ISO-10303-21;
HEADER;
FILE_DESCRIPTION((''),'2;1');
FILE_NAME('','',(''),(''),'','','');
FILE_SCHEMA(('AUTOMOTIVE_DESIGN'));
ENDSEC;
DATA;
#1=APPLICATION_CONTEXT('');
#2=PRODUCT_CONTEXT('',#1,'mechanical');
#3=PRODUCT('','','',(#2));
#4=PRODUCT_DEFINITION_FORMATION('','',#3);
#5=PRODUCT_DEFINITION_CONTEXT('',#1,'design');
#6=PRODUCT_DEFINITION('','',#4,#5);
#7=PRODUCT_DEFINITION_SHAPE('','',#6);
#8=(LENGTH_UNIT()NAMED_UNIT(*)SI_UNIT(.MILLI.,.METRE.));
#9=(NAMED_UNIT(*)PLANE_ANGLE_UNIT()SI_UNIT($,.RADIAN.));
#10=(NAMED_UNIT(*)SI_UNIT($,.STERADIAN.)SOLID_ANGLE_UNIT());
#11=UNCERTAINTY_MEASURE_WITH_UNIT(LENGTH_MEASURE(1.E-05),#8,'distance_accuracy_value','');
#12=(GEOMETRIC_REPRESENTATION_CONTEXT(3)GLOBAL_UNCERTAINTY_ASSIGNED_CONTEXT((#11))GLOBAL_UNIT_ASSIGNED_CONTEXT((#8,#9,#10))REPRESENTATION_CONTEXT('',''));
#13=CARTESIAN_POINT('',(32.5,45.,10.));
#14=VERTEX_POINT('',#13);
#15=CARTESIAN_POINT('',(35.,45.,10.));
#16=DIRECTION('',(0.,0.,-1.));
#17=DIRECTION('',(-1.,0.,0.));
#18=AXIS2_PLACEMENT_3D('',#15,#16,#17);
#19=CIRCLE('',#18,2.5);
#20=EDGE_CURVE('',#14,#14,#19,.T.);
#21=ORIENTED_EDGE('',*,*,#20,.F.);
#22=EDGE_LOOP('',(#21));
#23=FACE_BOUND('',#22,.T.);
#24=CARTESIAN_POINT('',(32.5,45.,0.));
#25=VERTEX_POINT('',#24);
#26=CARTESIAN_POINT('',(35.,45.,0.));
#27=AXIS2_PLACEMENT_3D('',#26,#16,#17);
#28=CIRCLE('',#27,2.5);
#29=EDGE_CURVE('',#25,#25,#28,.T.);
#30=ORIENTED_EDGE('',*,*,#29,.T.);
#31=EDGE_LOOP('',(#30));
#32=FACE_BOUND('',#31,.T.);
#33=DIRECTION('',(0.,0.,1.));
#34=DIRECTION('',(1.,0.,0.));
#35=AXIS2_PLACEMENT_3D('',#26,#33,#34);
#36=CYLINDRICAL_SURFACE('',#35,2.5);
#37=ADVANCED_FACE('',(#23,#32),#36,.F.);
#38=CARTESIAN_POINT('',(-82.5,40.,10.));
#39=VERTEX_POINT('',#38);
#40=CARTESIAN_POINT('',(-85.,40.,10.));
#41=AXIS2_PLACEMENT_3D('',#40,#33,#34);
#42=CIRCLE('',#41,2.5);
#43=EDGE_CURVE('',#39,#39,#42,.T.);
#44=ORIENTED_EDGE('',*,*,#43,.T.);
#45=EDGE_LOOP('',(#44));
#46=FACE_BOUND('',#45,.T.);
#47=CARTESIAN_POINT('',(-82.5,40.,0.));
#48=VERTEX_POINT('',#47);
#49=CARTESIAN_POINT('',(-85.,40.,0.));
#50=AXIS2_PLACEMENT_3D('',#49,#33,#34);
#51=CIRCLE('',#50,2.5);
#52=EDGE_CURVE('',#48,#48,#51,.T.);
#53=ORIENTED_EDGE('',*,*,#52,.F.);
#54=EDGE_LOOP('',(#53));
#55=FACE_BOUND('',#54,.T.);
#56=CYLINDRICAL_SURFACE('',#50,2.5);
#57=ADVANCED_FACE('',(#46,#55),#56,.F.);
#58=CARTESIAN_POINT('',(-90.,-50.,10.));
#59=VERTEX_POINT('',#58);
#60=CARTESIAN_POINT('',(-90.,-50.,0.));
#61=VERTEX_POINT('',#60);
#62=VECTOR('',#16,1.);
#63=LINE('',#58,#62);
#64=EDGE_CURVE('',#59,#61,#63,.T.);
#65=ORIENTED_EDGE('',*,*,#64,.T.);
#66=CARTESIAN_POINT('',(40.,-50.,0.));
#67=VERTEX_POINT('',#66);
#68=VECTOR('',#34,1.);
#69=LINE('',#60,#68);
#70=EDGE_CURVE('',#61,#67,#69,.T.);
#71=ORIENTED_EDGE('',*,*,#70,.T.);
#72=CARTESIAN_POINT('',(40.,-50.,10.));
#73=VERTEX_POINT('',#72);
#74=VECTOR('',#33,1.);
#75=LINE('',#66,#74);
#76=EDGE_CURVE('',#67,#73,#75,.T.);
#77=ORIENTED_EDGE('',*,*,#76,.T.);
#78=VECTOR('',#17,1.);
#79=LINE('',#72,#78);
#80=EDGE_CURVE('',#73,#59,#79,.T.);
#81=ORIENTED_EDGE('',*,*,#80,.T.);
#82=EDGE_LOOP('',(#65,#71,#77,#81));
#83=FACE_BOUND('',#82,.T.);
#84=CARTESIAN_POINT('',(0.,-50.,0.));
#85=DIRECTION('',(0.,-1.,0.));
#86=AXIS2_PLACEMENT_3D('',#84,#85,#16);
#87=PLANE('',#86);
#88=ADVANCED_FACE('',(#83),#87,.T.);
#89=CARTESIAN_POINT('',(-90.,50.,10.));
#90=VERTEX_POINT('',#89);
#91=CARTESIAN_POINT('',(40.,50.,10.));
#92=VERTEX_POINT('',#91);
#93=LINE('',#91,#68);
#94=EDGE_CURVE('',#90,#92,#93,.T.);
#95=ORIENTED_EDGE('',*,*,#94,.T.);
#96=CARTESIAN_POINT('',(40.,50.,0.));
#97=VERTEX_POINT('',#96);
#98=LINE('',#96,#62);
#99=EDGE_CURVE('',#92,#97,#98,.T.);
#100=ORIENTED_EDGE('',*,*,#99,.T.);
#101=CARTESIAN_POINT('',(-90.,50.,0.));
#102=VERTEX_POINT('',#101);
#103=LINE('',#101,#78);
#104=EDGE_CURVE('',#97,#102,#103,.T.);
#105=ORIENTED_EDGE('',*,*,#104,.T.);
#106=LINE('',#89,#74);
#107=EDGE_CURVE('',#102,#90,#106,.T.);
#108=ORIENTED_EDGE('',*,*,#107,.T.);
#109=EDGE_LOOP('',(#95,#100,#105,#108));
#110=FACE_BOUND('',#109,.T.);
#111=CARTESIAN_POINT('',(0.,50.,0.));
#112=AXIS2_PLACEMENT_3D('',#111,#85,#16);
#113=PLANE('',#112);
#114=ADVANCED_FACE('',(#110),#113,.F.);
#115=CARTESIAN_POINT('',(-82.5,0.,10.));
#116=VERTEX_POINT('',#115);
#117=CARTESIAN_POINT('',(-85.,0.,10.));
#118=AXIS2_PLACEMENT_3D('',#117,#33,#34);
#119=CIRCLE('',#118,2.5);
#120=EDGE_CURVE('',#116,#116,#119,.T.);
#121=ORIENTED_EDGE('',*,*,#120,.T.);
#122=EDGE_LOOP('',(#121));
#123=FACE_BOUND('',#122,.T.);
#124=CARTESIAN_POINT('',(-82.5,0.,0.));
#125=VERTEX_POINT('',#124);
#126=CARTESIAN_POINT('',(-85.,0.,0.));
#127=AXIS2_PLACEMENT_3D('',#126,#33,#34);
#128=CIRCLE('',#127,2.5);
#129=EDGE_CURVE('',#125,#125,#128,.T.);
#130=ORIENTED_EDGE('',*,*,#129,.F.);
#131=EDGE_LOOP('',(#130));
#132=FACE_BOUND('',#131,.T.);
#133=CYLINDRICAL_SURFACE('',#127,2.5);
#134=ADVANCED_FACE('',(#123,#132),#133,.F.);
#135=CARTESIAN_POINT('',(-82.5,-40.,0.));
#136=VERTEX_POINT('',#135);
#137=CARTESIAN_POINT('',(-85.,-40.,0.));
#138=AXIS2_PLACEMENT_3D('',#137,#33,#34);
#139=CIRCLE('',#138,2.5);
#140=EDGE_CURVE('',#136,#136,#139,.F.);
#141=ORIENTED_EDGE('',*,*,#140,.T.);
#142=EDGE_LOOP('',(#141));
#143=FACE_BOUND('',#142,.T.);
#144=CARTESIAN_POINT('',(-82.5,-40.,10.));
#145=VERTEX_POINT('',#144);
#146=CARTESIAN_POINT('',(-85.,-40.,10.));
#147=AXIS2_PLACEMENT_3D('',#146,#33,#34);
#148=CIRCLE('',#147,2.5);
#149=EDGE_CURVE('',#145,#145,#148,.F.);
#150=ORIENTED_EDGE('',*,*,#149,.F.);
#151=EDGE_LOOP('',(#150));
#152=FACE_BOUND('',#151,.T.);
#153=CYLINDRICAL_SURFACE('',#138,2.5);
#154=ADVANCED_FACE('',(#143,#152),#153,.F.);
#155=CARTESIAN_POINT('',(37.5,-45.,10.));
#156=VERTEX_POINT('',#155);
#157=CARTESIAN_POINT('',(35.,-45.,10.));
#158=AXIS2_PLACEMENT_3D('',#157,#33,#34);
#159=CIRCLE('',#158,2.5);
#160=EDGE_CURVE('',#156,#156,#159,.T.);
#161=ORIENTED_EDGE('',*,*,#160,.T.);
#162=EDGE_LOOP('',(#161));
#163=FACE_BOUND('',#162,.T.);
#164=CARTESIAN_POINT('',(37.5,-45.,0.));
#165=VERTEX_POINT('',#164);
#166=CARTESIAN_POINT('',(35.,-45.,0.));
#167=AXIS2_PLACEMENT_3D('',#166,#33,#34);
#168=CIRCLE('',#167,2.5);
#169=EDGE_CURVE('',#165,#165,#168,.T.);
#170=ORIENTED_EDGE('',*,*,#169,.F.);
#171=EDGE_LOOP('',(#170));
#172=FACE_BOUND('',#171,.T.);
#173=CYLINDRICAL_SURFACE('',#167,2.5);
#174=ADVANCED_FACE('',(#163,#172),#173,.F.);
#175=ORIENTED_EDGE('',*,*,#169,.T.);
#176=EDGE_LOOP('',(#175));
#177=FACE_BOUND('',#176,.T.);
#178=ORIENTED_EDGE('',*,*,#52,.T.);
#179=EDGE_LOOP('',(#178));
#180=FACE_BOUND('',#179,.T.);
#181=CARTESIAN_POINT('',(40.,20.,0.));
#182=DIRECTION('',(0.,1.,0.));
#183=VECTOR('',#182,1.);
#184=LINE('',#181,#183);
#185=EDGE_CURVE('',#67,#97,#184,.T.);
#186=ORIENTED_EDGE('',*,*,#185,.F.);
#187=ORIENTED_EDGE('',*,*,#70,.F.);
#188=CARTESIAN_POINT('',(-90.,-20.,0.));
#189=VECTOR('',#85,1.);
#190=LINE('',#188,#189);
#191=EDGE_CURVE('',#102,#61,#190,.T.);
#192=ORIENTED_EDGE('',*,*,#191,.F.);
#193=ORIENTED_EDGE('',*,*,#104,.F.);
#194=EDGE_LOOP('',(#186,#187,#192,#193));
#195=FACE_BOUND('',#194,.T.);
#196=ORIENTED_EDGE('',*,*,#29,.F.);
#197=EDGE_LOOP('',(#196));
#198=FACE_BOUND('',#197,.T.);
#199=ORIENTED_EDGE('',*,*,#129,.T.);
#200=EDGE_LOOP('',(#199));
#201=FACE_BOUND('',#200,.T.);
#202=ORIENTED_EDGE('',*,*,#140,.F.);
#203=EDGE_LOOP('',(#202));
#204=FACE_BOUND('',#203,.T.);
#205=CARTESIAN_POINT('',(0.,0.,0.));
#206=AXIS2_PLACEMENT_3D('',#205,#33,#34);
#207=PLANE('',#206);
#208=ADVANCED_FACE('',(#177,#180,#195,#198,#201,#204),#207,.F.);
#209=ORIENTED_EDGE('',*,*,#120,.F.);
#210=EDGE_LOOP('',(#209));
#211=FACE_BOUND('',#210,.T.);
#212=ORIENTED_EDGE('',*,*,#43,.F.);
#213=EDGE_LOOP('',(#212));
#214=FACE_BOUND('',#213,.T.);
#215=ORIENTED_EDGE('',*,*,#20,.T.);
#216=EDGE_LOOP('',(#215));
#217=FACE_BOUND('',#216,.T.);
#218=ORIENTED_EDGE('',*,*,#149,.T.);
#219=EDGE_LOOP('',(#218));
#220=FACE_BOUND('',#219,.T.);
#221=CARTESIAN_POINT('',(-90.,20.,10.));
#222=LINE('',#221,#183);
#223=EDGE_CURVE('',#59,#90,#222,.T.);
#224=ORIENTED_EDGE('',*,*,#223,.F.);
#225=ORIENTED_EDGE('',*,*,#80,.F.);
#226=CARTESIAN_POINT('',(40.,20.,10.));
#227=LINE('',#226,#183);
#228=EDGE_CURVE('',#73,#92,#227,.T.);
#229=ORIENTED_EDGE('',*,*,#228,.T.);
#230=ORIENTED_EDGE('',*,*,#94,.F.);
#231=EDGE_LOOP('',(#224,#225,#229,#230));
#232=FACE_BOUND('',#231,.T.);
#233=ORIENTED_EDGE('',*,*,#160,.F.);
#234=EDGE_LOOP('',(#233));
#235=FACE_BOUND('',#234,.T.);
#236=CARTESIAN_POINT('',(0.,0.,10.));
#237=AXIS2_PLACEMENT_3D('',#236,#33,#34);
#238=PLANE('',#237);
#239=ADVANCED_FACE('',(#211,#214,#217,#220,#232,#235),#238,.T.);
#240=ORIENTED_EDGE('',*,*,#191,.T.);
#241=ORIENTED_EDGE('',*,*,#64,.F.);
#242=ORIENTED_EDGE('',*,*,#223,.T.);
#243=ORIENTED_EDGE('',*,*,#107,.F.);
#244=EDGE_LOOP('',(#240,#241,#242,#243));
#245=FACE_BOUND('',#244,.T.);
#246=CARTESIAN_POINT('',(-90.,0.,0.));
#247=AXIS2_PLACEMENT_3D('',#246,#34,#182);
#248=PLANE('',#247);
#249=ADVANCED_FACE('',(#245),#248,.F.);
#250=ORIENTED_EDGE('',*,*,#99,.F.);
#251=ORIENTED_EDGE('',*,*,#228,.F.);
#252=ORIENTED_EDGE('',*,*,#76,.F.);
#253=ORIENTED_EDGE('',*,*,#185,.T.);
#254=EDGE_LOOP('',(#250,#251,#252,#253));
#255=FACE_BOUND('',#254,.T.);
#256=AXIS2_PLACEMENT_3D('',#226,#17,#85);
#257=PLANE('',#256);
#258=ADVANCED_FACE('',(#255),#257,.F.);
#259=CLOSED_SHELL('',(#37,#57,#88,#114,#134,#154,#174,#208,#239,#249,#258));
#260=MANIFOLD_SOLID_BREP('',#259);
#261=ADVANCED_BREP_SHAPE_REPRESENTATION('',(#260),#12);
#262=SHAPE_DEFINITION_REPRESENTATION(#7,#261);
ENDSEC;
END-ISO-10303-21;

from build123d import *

# Parameters (mm, degrees)
SKETCH_1_W          = 80
SKETCH_1_H          = 40
EXTRUDE_2_DEPTH     = 10
SKETCH_4_W          = 10
SKETCH_4_H          = 40
EXTRUDE_3_DEPTH     = 50
SKETCH_5_R          = 2.5
CUT_EXTRUDE_2_DEPTH = 93.736184955
SKETCH_6_W          = 130
SKETCH_6_H          = 10
EXTRUDE_4_DEPTH     = 30
SKETCH_7_W          = 130
SKETCH_7_H          = 10
EXTRUDE_5_DEPTH     = 30
SKETCH_8_R          = 2.5
CUT_EXTRUDE_3_DEPTH = 104.440804328
SKETCH_10_R         = 2.5
CUT_EXTRUDE_4_DEPTH = 104.440804328


with BuildPart() as part:
    # 草图1 → 凸台-拉伸2 (new body)
    with BuildSketch(Plane.XY):
        Rectangle(SKETCH_1_W, SKETCH_1_H)
    extrude(amount=EXTRUDE_2_DEPTH)

    # 草图4 → 凸台-拉伸3 (add)
    with BuildSketch(Plane.ZY.offset(40)):
        with Locations((5, 0)):
            Rectangle(SKETCH_4_W, SKETCH_4_H)
    extrude(amount=EXTRUDE_3_DEPTH)

    # 草图5 → 切除-拉伸2 (cut, through all)
    with BuildSketch(Plane.XY.offset(10)):
        with Locations((-85, 0)):
            Circle(SKETCH_5_R)
    extrude(amount=-CUT_EXTRUDE_2_DEPTH, mode=Mode.SUBTRACT)

    # 草图6 → 凸台-拉伸4 (add)
    with BuildSketch(Plane.XZ.offset(20)):
        with Locations((-25, 5)):
            Rectangle(SKETCH_6_W, SKETCH_6_H)
    extrude(amount=EXTRUDE_4_DEPTH)

    # 草图7 → 凸台-拉伸5 (add)
    with BuildSketch(Plane(origin=(0, 20, 0), x_dir=(1, 0, 0), z_dir=(0, 1, 0))):
        with Locations((-25, -5)):
            Rectangle(SKETCH_7_W, SKETCH_7_H)
    extrude(amount=EXTRUDE_5_DEPTH)

    # 草图8 → 切除-拉伸3 (cut, through all)
    with BuildSketch(Plane.XY.offset(10)):
        with Locations((35, -45)):
            Circle(SKETCH_8_R)
        with Locations(Location((35, 45, 0), (0, 0, 180))):
            Circle(SKETCH_8_R)
    extrude(amount=-CUT_EXTRUDE_3_DEPTH, mode=Mode.SUBTRACT)

    # 草图10 → 切除-拉伸4 (cut, through all)
    with BuildSketch(Plane.XY.offset(10)):
        with Locations((-85, 40)):
            Circle(SKETCH_10_R)
        with Locations((-85, -40)):
            Circle(SKETCH_10_R)
    extrude(amount=-CUT_EXTRUDE_4_DEPTH, mode=Mode.SUBTRACT)


solid = part.part
